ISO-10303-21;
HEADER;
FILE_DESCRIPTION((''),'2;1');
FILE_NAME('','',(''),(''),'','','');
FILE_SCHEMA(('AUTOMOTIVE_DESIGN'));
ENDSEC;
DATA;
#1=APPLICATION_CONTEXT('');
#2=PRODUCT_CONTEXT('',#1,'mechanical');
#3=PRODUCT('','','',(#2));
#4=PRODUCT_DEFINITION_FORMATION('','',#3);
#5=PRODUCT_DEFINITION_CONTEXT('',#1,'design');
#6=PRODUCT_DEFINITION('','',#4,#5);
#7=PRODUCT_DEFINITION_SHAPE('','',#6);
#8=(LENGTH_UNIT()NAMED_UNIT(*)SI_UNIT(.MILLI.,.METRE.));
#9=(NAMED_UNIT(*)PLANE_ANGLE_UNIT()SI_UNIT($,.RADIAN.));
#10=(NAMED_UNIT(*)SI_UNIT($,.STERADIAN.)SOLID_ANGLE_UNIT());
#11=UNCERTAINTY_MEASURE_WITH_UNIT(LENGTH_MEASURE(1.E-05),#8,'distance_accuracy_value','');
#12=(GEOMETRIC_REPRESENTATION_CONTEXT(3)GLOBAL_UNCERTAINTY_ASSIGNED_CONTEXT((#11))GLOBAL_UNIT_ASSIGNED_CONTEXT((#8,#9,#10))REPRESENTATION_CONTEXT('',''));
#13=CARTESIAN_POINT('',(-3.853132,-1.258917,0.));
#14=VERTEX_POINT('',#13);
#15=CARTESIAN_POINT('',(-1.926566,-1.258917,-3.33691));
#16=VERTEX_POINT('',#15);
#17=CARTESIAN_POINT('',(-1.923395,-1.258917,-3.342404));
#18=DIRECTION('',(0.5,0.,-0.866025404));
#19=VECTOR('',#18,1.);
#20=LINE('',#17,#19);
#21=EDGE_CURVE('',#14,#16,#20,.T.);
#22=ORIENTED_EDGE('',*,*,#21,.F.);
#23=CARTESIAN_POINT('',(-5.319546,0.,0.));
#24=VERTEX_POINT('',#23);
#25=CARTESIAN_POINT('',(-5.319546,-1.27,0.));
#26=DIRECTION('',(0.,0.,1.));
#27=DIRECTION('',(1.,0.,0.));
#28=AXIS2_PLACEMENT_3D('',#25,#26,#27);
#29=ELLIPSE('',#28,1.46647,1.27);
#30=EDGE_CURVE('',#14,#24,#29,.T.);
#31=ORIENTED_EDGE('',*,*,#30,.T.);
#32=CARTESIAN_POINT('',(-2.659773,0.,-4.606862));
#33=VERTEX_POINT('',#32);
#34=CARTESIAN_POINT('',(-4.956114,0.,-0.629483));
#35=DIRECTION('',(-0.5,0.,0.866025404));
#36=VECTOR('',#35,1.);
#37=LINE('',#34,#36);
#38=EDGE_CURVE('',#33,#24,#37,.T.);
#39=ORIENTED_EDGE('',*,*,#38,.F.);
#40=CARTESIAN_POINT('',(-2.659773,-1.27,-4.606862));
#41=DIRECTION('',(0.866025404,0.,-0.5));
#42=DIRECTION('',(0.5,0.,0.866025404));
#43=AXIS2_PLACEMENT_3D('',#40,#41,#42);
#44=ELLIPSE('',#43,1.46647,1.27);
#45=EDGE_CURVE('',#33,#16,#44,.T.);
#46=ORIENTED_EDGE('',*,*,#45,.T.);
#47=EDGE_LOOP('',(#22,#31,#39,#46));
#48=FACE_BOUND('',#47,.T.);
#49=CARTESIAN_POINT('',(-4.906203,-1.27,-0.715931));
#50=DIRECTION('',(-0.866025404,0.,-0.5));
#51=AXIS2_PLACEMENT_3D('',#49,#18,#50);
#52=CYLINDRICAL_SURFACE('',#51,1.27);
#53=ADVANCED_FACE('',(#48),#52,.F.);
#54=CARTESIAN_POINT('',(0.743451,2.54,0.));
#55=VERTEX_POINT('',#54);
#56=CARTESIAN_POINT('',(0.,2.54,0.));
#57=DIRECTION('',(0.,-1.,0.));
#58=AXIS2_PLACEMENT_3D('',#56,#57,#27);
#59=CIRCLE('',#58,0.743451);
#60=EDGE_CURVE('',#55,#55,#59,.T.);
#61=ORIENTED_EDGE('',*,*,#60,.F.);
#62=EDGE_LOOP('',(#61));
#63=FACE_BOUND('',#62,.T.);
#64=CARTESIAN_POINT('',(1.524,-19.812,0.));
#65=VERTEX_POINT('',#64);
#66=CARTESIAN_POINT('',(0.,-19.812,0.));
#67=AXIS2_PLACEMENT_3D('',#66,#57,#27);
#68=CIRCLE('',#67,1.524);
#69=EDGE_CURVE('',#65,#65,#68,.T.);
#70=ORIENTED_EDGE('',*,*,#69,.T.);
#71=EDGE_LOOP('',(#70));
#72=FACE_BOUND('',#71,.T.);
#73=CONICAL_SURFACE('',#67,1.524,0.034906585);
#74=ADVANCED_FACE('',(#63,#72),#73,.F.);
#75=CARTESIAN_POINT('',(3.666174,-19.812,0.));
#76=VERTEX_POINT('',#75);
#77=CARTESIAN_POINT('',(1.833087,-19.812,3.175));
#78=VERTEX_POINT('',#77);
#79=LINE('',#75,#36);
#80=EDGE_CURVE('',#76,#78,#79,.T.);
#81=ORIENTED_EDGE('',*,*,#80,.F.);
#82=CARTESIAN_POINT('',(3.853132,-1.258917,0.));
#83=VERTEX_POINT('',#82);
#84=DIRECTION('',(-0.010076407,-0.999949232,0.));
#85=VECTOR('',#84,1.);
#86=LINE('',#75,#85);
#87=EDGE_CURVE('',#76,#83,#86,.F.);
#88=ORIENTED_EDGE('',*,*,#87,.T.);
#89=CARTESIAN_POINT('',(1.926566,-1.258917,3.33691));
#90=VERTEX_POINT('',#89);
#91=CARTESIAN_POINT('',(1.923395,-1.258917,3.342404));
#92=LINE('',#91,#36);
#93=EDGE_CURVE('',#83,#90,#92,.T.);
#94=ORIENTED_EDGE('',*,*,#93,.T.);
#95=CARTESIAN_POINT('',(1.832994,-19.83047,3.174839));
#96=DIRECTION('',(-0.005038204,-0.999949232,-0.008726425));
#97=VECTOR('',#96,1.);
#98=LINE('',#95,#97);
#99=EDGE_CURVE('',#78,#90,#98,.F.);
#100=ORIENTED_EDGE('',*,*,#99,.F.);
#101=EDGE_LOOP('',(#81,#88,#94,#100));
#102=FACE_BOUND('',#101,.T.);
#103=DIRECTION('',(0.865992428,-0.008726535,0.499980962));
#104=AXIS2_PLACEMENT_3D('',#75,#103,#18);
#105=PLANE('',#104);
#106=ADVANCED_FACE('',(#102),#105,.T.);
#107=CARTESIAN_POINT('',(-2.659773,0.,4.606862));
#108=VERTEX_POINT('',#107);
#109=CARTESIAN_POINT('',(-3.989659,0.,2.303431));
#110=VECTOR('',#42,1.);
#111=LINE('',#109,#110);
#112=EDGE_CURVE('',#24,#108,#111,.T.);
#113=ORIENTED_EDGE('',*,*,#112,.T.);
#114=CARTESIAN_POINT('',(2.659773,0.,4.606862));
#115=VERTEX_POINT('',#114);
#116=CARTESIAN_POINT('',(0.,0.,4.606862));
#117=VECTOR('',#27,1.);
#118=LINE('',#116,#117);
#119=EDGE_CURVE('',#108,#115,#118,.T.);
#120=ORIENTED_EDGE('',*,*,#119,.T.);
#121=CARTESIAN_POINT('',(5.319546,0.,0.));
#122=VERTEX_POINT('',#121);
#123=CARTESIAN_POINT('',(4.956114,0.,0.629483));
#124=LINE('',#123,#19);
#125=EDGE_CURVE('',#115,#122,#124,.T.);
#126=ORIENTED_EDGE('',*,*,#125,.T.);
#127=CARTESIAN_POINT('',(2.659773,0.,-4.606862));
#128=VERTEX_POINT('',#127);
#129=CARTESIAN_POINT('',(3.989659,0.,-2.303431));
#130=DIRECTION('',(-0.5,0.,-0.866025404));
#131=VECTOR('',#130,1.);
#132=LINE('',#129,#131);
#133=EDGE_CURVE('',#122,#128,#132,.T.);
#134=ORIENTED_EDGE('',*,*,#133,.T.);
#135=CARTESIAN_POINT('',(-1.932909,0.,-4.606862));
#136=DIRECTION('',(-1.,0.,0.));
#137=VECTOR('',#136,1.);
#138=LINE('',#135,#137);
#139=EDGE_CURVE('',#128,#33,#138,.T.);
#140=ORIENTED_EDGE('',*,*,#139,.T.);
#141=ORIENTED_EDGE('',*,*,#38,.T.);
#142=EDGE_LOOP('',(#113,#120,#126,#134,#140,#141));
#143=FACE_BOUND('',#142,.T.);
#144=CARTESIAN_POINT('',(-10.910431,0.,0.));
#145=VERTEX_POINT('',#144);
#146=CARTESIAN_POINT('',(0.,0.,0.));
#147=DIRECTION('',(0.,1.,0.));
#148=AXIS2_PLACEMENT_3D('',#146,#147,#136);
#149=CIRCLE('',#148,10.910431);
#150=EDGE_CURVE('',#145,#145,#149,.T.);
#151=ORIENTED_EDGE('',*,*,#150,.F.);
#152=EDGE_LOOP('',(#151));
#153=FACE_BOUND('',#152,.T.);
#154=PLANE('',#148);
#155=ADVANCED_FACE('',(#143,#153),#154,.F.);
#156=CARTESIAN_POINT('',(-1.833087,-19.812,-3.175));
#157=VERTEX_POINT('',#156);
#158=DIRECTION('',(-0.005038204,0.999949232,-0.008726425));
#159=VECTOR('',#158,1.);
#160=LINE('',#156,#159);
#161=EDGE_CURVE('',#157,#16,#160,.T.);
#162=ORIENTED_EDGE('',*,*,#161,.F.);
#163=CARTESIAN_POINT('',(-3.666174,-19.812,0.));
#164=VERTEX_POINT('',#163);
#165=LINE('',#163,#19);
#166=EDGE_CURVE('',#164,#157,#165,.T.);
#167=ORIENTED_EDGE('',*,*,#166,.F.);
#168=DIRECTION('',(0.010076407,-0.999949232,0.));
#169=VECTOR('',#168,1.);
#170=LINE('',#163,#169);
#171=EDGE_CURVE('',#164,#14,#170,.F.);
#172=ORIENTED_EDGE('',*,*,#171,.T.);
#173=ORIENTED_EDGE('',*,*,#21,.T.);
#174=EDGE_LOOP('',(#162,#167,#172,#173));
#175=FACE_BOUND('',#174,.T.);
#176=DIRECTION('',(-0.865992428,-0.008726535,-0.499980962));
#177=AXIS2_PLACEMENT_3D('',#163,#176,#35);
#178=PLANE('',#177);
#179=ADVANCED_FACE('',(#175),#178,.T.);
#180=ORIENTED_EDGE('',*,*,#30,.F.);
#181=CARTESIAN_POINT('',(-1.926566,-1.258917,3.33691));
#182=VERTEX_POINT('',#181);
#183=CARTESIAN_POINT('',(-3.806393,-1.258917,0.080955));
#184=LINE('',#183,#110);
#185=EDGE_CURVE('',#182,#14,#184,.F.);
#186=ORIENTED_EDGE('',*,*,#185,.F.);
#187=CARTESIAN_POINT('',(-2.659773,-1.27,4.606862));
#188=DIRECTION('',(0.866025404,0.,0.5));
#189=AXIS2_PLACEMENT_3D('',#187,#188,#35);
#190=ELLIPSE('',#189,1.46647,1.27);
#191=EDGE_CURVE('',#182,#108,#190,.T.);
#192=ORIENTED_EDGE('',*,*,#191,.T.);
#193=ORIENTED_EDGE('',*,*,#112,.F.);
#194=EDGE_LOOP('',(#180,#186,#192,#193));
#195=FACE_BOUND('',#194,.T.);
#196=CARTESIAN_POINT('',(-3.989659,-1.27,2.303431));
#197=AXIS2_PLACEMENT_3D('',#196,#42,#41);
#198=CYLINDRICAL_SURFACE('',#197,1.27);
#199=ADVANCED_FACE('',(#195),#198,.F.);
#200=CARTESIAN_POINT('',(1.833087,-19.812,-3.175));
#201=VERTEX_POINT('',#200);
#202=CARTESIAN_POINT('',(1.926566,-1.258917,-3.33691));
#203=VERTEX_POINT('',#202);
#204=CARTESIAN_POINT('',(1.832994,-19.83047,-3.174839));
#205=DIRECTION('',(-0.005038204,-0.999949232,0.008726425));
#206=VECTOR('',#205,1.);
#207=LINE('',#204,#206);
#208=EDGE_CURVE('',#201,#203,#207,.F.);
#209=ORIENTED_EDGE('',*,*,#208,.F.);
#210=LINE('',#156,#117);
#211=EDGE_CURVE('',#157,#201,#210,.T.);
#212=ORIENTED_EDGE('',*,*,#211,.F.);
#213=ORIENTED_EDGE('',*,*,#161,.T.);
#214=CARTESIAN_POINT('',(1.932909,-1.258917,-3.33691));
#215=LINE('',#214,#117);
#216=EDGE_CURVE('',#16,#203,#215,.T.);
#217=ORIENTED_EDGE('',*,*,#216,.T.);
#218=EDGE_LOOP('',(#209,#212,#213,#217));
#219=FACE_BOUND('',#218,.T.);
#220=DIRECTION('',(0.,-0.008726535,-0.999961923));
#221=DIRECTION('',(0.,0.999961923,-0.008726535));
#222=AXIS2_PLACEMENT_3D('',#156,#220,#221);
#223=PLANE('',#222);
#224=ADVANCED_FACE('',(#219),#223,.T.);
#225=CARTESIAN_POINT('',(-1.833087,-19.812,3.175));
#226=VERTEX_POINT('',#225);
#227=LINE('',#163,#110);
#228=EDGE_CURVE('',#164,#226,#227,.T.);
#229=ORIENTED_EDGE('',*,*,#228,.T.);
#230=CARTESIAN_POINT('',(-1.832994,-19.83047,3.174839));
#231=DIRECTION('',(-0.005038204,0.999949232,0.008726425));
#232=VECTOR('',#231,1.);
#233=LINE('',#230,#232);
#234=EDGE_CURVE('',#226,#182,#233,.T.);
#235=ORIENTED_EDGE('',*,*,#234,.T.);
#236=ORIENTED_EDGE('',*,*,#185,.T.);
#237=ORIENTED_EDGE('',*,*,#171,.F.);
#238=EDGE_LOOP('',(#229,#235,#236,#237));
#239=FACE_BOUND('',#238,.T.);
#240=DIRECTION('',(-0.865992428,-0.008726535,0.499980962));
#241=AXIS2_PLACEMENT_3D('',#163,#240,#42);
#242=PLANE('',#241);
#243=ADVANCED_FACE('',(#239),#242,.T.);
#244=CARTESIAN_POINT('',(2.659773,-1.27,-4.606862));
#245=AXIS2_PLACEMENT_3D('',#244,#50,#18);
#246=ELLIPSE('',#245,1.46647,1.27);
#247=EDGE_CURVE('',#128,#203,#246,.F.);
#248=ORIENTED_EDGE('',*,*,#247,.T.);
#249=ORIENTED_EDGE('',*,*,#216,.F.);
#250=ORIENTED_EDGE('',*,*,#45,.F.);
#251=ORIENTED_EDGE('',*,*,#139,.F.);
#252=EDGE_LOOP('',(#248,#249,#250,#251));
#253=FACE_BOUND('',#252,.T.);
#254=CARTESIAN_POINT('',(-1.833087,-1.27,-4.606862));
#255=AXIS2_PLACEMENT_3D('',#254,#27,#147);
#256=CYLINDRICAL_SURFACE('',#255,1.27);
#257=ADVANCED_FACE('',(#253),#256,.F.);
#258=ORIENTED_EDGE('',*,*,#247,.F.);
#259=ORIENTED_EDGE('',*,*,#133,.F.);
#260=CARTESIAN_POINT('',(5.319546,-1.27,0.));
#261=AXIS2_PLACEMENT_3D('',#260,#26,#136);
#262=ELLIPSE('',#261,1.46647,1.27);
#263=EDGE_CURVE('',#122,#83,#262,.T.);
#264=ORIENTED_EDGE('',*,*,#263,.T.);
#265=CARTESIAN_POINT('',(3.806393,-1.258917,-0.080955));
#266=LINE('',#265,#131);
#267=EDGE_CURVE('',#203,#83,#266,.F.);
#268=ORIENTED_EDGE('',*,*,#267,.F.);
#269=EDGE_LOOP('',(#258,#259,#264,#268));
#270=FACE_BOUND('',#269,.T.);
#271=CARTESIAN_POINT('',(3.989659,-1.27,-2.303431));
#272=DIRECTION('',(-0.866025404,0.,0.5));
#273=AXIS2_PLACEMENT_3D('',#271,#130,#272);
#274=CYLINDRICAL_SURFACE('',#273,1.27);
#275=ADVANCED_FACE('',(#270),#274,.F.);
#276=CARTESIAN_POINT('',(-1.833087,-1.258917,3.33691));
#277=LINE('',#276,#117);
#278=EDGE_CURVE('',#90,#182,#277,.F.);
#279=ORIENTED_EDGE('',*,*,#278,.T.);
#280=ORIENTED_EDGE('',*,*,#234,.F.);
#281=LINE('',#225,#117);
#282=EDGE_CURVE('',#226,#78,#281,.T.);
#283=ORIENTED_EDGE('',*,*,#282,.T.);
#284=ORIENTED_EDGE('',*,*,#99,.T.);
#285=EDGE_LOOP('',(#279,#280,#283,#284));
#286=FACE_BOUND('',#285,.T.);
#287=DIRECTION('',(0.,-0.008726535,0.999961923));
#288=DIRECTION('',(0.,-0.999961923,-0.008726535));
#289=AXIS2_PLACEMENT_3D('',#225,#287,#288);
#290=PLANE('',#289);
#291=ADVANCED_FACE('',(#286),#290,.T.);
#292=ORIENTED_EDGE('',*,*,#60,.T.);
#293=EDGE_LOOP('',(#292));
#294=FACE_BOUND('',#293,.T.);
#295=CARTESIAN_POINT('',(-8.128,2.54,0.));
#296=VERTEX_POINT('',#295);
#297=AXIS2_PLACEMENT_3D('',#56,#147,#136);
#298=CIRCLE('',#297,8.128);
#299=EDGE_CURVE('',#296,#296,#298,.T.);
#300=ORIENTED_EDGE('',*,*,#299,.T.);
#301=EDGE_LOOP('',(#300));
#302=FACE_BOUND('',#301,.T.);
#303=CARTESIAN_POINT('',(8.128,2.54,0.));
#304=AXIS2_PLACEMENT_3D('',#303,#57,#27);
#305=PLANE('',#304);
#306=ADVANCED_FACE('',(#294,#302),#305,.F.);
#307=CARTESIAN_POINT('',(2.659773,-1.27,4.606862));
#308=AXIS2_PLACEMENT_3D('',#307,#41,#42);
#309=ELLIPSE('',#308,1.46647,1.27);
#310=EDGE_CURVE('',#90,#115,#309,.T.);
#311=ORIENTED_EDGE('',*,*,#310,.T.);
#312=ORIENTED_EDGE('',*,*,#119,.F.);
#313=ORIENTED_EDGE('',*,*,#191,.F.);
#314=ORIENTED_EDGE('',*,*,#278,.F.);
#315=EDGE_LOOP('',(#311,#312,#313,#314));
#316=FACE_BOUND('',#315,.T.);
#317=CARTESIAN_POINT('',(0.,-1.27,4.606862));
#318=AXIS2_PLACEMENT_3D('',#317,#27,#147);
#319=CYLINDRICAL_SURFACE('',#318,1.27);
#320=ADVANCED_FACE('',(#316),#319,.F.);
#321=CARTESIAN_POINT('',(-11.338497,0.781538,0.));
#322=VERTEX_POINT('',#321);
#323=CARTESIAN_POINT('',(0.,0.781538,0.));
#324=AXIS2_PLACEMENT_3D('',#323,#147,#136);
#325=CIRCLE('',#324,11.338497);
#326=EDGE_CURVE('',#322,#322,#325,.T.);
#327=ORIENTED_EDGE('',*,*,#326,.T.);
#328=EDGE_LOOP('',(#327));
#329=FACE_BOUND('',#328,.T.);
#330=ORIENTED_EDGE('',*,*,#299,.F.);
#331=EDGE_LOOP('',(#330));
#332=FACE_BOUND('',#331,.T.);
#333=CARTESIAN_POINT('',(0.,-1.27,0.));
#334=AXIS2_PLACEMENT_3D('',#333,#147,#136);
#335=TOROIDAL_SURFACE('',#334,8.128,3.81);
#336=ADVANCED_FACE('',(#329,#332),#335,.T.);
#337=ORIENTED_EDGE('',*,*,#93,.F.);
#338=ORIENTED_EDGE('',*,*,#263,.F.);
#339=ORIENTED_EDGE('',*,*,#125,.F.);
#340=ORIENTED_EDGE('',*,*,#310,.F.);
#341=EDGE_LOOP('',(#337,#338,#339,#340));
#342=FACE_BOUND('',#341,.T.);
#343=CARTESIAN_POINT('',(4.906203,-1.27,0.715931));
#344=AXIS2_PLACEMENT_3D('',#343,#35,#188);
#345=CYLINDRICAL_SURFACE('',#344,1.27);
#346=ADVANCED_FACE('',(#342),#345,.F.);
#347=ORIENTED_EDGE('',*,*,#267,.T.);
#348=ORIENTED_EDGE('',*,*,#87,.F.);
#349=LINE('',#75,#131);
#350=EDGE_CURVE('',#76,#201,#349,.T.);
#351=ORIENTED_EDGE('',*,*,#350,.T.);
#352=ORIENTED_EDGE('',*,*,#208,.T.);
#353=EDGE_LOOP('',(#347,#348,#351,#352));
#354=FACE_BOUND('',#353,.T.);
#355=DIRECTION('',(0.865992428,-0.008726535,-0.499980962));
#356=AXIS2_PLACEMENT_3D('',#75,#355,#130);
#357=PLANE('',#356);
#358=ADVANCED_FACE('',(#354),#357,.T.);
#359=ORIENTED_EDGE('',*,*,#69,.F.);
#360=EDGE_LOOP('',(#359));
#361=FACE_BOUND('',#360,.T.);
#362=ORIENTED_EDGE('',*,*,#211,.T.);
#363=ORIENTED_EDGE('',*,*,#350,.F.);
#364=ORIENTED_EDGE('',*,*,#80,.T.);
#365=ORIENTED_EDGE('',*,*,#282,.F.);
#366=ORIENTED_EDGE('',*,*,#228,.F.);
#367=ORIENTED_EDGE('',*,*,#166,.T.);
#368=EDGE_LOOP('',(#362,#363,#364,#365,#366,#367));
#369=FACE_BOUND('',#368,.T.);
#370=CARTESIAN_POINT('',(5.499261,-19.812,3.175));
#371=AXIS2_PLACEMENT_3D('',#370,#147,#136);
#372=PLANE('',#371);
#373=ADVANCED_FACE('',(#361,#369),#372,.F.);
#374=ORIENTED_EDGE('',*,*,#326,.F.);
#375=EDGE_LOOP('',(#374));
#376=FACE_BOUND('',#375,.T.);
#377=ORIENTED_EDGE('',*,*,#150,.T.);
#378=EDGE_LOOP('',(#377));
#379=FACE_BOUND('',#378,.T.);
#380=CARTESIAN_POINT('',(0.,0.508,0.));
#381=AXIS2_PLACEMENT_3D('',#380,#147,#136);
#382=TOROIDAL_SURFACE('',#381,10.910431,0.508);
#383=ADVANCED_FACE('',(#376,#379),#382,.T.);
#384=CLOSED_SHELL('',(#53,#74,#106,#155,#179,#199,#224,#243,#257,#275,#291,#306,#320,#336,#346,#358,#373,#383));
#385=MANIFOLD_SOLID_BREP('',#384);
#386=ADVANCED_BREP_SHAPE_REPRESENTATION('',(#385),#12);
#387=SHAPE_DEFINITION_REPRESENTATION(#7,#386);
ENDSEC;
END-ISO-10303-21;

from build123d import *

# Parameters (mm, degrees)
SHAFT_DEPTH          = 22.352
DRAFT_ON_SHAFT_ANGLE = 0.5
SKETCH3_R            = 1.524
THRU_HOLE_DEPTH      = 28.574862156
THRU_HOLE_DRAFT      = -2
FILLET1_R            = 1.27


with BuildPart() as part:
    # Sketch1 → Head (revolve)
    with BuildSketch(Plane.XY):
        with BuildLine():
            Line((0, 0), (10.910430592, 0))
            ThreePointArc((10.910430592, 0), (11.355976066, 0.263964694), (11.338496837, 0.781538462))
            ThreePointArc((11.338496837, 0.781538462), (9.958264798, 2.071591054), (8.128, 2.54))
            Line((8.128, 2.54), (0, 2.54))
            Line((0, 2.54), (0, 0))
        make_face()
    revolve(axis=Axis((0, 2.54, 0), (0, -1, 0)))

    # Sketch2 → Shaft (add)
    with BuildSketch(Plane(origin=(0, 2.54, 0), x_dir=(-1, 0, 0), z_dir=(0, 1, 0))):
        Polygon((1.833087105, -3.175), (-1.833087105, -3.175), (-3.666174209, 0), (-1.833087105, 3.175), (1.833087105, 3.175), (3.666174209, 0), align=None)
    extrude(amount=-SHAFT_DEPTH)

    # Draft on Shaft
    draft_on_shaft_faces = [part.faces().sort_by_distance(p)[0] for p in [
        (0, -9.906, 3.175),
        (2.749630657, -9.906, 1.5875),
        (2.749630657, -9.906, -1.5875),
        (0, -9.906, -3.175),
        (-2.749630657, -9.906, -1.5875),
        (-2.749630657, -9.906, 1.5875),
    ]]
    draft(draft_on_shaft_faces, Plane(origin=(5.499261314, -19.812, 3.175), x_dir=(-1, 0, 0), z_dir=(0, -1, 0)), DRAFT_ON_SHAFT_ANGLE)


with BuildPart() as thru_hole_tool:
    # Sketch3 → Thru Hole (with draft: the straight prism first)
    with BuildSketch(Plane.XZ.offset(19.812)):
        Circle(SKETCH3_R)
    extrude(amount=-THRU_HOLE_DEPTH)
    # Thru Hole: the draft: its side faces are tilted about the plane it starts from
    thru_hole_sides = [thru_hole_tool.faces().sort_by_distance(p)[0] for p in [
        (-1.524, -5.524568922, 0),
    ]]
    draft(thru_hole_sides, Plane.XZ.offset(19.812), THRU_HOLE_DRAFT)


with BuildPart() as part_1:
    add(part.part)

    # Thru Hole: cut by thru_hole_tool
    add(thru_hole_tool.part, mode=Mode.SUBTRACT)

    # Fillet1
    fillet1_edges = [part_1.edges().sort_by_distance(p)[0] for p in [
        (0, 0, -3.347896705),
        (-2.899363595, 0, -1.673948352),
        (-2.899363595, 0, 1.673948352),
        (0, 0, 3.347896705),
        (2.899363595, 0, 1.673948352),
        (2.899363595, 0, -1.673948352),
    ]]
    fillet(fillet1_edges, radius=FILLET1_R)


solid = part_1.part
